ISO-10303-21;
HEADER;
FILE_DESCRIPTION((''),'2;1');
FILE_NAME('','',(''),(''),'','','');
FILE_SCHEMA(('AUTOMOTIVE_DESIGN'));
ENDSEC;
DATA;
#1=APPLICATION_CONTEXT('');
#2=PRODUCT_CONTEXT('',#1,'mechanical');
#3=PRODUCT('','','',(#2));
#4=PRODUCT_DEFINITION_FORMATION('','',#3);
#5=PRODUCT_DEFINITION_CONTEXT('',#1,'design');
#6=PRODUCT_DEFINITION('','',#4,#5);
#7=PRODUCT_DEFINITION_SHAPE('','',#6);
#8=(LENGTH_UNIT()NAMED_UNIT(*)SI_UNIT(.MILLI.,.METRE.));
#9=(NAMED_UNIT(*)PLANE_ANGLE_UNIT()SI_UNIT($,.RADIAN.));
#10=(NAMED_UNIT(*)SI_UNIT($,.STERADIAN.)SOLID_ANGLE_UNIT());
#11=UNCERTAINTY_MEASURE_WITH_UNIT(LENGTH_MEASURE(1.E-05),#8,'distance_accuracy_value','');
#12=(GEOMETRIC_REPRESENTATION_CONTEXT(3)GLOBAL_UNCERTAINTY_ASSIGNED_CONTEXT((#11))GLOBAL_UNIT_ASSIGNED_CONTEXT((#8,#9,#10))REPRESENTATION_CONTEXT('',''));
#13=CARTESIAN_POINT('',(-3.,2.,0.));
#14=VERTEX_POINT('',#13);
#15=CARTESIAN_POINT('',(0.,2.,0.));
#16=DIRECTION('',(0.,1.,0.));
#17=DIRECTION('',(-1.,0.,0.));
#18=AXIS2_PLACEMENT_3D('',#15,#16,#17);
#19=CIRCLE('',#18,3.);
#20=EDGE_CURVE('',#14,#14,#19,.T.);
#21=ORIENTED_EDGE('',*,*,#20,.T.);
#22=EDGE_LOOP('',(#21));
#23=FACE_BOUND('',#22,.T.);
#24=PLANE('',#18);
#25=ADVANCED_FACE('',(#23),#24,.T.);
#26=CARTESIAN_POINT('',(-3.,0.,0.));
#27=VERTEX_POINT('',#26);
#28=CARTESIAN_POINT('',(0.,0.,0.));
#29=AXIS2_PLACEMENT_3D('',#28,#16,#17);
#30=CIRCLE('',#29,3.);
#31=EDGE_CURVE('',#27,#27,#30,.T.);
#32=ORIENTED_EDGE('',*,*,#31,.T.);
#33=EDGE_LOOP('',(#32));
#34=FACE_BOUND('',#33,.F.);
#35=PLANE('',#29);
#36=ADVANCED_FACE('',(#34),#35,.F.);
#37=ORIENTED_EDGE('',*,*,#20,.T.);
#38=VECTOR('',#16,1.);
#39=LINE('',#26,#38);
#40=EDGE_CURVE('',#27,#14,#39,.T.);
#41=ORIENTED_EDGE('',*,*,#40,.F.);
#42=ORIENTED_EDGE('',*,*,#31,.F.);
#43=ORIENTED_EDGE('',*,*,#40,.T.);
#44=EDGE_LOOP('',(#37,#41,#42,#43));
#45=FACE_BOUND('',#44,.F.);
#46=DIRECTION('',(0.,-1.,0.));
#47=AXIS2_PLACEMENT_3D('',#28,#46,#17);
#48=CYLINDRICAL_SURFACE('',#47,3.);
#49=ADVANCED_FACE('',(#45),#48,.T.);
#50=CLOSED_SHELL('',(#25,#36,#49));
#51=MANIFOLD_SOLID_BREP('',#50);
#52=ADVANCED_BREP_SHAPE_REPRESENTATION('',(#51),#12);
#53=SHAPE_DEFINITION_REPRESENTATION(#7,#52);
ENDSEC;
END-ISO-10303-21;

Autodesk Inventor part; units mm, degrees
ref_plane "YZ Plane" through (0, 0, 0) normal (1, 0, 0) x (0, 1, 0)
ref_plane "XZ Plane" through (0, 0, 0) normal (0, 1, 0) x (-1, 0, 0)
ref_plane "XY Plane" through (0, 0, 0) normal (0, 0, 1) x (1, 0, 0)
sketch "Sketch1" plane through (0, 0, 0) normal (0, 1, 0) x (-1, 0, 0)
  circle A0 centre (0, 0) radius 3
  dimension "d0" = 6
extrude "Extrusion1" add sketch "Sketch1" along normal blind 2
properties part number "Magnet" material "Stainless Steel"
